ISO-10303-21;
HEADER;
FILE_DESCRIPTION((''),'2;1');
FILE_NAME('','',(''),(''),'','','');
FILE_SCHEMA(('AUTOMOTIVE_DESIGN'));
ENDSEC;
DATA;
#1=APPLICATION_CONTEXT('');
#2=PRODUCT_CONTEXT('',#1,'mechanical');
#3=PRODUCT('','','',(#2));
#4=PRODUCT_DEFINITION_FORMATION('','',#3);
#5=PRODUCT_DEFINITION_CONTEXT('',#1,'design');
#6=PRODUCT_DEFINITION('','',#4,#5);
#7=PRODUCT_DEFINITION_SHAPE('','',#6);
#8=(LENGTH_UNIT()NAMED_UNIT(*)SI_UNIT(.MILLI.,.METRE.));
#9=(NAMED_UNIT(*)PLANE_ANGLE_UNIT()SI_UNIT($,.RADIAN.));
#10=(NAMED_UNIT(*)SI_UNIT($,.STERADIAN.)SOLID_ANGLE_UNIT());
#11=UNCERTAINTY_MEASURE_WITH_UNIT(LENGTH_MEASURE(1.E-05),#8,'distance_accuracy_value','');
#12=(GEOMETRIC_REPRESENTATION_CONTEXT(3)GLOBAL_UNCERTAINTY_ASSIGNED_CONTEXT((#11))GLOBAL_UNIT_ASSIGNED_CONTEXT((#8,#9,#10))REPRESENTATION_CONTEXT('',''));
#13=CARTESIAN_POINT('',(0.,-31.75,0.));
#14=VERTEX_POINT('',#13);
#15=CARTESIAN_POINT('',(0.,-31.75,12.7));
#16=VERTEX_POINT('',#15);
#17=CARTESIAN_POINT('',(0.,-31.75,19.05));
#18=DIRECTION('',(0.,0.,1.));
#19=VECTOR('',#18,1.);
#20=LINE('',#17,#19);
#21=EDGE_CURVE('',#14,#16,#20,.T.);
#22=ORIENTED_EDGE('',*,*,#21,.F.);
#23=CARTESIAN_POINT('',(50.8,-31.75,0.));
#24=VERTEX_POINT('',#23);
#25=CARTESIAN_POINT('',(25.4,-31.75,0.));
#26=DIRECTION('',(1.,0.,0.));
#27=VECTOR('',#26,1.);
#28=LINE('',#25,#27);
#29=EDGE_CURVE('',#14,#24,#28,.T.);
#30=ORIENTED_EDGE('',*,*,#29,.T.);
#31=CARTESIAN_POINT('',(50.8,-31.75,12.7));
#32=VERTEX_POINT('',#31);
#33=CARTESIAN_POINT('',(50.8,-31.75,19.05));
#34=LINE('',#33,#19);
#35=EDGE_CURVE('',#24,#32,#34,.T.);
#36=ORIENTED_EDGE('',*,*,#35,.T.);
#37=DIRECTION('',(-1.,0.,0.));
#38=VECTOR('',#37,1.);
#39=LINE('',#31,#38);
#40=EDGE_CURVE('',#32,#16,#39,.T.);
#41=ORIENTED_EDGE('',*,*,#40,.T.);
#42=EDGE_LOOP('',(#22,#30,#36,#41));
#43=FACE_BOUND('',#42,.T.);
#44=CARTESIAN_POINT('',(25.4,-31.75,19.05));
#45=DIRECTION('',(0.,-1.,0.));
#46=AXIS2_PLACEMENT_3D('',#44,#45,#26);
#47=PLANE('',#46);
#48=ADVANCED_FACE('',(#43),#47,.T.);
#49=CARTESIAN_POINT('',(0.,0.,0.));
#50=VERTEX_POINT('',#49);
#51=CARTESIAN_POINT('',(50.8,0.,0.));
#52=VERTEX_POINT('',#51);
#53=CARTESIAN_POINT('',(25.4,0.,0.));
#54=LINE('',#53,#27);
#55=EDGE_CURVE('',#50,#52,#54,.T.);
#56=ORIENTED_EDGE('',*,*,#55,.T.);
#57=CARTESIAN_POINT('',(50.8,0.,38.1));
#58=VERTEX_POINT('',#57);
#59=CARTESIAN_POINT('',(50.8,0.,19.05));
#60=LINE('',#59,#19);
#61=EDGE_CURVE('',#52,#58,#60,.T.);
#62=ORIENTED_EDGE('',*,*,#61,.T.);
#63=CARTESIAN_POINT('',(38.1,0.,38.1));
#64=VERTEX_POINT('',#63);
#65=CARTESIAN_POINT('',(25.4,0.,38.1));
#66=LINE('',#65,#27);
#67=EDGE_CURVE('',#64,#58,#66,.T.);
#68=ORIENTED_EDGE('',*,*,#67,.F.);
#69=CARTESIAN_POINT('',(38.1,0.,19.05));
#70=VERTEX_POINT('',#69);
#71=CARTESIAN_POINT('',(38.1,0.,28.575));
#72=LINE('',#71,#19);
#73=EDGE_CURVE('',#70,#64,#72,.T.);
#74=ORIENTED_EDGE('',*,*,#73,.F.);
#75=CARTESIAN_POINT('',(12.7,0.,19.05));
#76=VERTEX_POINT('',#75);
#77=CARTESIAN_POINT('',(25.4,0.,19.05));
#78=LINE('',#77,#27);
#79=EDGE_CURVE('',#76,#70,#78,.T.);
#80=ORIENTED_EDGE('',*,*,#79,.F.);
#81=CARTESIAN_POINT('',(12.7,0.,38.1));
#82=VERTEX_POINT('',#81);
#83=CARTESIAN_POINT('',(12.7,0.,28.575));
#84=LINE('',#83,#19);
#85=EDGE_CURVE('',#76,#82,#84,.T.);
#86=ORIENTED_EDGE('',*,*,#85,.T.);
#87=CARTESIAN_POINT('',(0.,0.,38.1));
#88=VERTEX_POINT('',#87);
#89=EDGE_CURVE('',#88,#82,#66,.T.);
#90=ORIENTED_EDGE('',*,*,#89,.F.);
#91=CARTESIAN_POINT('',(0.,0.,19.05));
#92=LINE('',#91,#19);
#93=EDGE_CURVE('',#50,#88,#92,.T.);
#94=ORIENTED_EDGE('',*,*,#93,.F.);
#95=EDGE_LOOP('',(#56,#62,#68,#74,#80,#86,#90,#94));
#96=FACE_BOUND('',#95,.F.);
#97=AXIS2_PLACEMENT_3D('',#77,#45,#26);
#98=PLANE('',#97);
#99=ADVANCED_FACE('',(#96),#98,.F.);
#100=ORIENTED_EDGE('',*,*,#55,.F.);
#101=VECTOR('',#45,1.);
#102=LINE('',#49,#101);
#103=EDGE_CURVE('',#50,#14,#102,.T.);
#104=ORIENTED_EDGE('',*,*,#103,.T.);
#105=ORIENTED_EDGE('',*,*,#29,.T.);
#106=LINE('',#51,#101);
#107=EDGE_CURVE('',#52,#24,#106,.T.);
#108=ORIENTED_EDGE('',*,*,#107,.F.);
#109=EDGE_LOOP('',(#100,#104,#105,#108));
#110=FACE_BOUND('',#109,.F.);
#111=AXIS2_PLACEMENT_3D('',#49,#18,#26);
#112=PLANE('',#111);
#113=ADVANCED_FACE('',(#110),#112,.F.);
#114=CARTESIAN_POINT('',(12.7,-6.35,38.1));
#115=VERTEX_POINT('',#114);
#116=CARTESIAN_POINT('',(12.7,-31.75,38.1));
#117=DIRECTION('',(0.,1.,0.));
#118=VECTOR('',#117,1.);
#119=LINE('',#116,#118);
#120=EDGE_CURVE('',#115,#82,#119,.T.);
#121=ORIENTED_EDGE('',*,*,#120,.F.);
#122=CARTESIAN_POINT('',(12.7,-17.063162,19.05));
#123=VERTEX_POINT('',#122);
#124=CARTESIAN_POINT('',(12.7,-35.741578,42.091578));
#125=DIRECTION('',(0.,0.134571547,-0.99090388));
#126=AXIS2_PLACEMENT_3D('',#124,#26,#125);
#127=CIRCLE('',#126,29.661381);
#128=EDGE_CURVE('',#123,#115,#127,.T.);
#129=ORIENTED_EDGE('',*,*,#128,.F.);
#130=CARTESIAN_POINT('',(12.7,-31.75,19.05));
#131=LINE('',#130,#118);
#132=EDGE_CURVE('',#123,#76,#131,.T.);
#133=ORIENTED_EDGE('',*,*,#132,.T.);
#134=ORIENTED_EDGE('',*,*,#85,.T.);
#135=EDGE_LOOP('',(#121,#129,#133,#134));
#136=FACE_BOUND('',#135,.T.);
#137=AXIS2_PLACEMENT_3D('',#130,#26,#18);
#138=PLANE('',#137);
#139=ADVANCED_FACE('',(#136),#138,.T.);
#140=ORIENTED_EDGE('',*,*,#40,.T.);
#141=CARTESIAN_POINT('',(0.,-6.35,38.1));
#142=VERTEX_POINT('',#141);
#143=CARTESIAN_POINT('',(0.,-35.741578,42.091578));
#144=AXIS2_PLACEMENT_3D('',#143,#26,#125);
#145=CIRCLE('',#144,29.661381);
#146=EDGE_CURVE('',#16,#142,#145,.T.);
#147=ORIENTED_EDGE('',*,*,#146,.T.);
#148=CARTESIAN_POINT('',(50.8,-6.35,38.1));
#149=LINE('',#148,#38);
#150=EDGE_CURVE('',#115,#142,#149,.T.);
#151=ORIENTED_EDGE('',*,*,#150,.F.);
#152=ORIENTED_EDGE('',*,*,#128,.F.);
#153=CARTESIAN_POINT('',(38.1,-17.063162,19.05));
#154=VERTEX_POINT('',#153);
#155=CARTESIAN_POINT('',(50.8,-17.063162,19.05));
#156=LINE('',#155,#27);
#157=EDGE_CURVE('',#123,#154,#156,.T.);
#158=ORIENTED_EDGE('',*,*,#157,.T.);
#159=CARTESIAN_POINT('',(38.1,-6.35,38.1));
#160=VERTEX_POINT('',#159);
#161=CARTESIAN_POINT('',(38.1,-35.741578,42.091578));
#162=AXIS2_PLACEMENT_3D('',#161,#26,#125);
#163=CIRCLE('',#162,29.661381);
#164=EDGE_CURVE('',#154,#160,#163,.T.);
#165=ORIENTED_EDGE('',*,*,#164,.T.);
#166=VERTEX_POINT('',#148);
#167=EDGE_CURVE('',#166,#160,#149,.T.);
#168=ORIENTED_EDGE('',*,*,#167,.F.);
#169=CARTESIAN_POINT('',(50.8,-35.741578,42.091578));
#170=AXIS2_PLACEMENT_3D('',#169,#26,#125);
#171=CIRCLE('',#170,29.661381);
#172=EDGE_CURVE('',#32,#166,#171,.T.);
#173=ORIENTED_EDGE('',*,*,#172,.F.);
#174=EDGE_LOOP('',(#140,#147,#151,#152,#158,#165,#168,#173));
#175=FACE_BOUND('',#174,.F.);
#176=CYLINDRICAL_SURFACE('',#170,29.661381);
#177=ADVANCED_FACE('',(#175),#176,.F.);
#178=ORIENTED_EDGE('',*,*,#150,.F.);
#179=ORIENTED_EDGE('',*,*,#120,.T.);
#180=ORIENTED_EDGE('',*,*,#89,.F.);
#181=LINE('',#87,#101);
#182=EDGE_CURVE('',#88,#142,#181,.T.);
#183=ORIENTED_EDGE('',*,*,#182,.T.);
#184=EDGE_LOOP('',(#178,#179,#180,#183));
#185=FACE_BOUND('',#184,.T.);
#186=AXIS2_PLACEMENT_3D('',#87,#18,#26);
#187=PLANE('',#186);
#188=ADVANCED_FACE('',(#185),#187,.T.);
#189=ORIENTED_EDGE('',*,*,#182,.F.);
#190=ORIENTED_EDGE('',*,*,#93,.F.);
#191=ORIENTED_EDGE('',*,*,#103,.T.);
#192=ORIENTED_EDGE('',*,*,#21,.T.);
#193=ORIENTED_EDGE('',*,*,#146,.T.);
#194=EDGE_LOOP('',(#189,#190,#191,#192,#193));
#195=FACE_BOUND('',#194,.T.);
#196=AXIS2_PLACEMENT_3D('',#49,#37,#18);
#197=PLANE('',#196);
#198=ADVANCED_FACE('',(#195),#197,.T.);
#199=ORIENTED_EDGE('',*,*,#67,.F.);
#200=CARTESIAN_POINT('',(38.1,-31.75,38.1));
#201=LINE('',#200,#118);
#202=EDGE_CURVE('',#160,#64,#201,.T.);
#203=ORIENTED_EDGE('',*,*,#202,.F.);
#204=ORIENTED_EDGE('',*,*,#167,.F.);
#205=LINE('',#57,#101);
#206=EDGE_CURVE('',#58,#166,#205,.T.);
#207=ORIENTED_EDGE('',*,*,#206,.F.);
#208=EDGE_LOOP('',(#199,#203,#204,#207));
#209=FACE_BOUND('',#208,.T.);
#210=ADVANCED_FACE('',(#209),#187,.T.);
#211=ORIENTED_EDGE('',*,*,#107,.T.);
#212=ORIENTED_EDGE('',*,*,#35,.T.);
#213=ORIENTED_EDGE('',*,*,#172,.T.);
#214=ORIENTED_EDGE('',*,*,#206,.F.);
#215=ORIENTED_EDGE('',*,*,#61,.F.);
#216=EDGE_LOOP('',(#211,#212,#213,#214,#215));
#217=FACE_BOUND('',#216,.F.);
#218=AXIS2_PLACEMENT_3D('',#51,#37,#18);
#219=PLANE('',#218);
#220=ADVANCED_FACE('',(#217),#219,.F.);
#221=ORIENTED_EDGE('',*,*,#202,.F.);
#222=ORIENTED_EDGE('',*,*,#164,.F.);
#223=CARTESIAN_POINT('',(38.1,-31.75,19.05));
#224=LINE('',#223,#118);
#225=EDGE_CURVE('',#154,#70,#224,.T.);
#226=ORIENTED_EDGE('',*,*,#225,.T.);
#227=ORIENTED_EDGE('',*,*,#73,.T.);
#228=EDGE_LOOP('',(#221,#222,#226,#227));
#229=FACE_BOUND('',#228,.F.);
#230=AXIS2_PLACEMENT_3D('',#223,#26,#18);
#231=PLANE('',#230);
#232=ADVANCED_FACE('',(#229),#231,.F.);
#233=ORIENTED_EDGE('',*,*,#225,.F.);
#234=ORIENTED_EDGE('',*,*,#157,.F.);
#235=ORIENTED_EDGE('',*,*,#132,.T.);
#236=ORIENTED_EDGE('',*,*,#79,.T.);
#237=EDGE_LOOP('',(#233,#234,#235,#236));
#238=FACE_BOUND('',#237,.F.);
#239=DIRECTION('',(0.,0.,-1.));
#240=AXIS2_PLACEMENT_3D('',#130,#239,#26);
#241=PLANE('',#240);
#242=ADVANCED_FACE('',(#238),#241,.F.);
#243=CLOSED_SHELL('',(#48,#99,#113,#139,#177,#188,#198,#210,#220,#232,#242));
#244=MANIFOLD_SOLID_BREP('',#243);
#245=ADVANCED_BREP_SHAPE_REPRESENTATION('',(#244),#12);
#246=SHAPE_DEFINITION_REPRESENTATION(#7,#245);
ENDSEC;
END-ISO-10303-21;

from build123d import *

# Parameters (mm, degrees)
F0_W     = 50.8
F0_H     = 38.1
F1_DEPTH = 31.75
F2_W     = 25.4
F2_H     = 19.05
F3_DEPTH = 31.75
F5_DEPTH = 50.8


with BuildPart() as f1:
    # F0 (on Front) → F1 (new body)
    with BuildSketch(Plane.XZ):
        with Locations((25.4, 19.05)):
            Rectangle(F0_W, F0_H)
    extrude(amount=F1_DEPTH)

    # F2 (on face) → F3 (cut)
    with BuildSketch(Plane.XZ.offset(31.75)):
        with Locations((25.4, 28.575)):
            Rectangle(F2_W, F2_H)
    extrude(amount=-F3_DEPTH, mode=Mode.SUBTRACT)

    # F4 (on face) → F5 (cut)
    with BuildSketch(Plane.YZ.offset(50.8)):
        with BuildLine():
            Line((-31.75, 38.1), (-31.75, 12.7))
            ThreePointArc((-31.75, 12.7), (-14.767814, 21.117814), (-6.35, 38.1))
            Line((-6.35, 38.1), (-31.75, 38.1))
        make_face()
    extrude(amount=-F5_DEPTH, mode=Mode.SUBTRACT)


solid = f1.part
